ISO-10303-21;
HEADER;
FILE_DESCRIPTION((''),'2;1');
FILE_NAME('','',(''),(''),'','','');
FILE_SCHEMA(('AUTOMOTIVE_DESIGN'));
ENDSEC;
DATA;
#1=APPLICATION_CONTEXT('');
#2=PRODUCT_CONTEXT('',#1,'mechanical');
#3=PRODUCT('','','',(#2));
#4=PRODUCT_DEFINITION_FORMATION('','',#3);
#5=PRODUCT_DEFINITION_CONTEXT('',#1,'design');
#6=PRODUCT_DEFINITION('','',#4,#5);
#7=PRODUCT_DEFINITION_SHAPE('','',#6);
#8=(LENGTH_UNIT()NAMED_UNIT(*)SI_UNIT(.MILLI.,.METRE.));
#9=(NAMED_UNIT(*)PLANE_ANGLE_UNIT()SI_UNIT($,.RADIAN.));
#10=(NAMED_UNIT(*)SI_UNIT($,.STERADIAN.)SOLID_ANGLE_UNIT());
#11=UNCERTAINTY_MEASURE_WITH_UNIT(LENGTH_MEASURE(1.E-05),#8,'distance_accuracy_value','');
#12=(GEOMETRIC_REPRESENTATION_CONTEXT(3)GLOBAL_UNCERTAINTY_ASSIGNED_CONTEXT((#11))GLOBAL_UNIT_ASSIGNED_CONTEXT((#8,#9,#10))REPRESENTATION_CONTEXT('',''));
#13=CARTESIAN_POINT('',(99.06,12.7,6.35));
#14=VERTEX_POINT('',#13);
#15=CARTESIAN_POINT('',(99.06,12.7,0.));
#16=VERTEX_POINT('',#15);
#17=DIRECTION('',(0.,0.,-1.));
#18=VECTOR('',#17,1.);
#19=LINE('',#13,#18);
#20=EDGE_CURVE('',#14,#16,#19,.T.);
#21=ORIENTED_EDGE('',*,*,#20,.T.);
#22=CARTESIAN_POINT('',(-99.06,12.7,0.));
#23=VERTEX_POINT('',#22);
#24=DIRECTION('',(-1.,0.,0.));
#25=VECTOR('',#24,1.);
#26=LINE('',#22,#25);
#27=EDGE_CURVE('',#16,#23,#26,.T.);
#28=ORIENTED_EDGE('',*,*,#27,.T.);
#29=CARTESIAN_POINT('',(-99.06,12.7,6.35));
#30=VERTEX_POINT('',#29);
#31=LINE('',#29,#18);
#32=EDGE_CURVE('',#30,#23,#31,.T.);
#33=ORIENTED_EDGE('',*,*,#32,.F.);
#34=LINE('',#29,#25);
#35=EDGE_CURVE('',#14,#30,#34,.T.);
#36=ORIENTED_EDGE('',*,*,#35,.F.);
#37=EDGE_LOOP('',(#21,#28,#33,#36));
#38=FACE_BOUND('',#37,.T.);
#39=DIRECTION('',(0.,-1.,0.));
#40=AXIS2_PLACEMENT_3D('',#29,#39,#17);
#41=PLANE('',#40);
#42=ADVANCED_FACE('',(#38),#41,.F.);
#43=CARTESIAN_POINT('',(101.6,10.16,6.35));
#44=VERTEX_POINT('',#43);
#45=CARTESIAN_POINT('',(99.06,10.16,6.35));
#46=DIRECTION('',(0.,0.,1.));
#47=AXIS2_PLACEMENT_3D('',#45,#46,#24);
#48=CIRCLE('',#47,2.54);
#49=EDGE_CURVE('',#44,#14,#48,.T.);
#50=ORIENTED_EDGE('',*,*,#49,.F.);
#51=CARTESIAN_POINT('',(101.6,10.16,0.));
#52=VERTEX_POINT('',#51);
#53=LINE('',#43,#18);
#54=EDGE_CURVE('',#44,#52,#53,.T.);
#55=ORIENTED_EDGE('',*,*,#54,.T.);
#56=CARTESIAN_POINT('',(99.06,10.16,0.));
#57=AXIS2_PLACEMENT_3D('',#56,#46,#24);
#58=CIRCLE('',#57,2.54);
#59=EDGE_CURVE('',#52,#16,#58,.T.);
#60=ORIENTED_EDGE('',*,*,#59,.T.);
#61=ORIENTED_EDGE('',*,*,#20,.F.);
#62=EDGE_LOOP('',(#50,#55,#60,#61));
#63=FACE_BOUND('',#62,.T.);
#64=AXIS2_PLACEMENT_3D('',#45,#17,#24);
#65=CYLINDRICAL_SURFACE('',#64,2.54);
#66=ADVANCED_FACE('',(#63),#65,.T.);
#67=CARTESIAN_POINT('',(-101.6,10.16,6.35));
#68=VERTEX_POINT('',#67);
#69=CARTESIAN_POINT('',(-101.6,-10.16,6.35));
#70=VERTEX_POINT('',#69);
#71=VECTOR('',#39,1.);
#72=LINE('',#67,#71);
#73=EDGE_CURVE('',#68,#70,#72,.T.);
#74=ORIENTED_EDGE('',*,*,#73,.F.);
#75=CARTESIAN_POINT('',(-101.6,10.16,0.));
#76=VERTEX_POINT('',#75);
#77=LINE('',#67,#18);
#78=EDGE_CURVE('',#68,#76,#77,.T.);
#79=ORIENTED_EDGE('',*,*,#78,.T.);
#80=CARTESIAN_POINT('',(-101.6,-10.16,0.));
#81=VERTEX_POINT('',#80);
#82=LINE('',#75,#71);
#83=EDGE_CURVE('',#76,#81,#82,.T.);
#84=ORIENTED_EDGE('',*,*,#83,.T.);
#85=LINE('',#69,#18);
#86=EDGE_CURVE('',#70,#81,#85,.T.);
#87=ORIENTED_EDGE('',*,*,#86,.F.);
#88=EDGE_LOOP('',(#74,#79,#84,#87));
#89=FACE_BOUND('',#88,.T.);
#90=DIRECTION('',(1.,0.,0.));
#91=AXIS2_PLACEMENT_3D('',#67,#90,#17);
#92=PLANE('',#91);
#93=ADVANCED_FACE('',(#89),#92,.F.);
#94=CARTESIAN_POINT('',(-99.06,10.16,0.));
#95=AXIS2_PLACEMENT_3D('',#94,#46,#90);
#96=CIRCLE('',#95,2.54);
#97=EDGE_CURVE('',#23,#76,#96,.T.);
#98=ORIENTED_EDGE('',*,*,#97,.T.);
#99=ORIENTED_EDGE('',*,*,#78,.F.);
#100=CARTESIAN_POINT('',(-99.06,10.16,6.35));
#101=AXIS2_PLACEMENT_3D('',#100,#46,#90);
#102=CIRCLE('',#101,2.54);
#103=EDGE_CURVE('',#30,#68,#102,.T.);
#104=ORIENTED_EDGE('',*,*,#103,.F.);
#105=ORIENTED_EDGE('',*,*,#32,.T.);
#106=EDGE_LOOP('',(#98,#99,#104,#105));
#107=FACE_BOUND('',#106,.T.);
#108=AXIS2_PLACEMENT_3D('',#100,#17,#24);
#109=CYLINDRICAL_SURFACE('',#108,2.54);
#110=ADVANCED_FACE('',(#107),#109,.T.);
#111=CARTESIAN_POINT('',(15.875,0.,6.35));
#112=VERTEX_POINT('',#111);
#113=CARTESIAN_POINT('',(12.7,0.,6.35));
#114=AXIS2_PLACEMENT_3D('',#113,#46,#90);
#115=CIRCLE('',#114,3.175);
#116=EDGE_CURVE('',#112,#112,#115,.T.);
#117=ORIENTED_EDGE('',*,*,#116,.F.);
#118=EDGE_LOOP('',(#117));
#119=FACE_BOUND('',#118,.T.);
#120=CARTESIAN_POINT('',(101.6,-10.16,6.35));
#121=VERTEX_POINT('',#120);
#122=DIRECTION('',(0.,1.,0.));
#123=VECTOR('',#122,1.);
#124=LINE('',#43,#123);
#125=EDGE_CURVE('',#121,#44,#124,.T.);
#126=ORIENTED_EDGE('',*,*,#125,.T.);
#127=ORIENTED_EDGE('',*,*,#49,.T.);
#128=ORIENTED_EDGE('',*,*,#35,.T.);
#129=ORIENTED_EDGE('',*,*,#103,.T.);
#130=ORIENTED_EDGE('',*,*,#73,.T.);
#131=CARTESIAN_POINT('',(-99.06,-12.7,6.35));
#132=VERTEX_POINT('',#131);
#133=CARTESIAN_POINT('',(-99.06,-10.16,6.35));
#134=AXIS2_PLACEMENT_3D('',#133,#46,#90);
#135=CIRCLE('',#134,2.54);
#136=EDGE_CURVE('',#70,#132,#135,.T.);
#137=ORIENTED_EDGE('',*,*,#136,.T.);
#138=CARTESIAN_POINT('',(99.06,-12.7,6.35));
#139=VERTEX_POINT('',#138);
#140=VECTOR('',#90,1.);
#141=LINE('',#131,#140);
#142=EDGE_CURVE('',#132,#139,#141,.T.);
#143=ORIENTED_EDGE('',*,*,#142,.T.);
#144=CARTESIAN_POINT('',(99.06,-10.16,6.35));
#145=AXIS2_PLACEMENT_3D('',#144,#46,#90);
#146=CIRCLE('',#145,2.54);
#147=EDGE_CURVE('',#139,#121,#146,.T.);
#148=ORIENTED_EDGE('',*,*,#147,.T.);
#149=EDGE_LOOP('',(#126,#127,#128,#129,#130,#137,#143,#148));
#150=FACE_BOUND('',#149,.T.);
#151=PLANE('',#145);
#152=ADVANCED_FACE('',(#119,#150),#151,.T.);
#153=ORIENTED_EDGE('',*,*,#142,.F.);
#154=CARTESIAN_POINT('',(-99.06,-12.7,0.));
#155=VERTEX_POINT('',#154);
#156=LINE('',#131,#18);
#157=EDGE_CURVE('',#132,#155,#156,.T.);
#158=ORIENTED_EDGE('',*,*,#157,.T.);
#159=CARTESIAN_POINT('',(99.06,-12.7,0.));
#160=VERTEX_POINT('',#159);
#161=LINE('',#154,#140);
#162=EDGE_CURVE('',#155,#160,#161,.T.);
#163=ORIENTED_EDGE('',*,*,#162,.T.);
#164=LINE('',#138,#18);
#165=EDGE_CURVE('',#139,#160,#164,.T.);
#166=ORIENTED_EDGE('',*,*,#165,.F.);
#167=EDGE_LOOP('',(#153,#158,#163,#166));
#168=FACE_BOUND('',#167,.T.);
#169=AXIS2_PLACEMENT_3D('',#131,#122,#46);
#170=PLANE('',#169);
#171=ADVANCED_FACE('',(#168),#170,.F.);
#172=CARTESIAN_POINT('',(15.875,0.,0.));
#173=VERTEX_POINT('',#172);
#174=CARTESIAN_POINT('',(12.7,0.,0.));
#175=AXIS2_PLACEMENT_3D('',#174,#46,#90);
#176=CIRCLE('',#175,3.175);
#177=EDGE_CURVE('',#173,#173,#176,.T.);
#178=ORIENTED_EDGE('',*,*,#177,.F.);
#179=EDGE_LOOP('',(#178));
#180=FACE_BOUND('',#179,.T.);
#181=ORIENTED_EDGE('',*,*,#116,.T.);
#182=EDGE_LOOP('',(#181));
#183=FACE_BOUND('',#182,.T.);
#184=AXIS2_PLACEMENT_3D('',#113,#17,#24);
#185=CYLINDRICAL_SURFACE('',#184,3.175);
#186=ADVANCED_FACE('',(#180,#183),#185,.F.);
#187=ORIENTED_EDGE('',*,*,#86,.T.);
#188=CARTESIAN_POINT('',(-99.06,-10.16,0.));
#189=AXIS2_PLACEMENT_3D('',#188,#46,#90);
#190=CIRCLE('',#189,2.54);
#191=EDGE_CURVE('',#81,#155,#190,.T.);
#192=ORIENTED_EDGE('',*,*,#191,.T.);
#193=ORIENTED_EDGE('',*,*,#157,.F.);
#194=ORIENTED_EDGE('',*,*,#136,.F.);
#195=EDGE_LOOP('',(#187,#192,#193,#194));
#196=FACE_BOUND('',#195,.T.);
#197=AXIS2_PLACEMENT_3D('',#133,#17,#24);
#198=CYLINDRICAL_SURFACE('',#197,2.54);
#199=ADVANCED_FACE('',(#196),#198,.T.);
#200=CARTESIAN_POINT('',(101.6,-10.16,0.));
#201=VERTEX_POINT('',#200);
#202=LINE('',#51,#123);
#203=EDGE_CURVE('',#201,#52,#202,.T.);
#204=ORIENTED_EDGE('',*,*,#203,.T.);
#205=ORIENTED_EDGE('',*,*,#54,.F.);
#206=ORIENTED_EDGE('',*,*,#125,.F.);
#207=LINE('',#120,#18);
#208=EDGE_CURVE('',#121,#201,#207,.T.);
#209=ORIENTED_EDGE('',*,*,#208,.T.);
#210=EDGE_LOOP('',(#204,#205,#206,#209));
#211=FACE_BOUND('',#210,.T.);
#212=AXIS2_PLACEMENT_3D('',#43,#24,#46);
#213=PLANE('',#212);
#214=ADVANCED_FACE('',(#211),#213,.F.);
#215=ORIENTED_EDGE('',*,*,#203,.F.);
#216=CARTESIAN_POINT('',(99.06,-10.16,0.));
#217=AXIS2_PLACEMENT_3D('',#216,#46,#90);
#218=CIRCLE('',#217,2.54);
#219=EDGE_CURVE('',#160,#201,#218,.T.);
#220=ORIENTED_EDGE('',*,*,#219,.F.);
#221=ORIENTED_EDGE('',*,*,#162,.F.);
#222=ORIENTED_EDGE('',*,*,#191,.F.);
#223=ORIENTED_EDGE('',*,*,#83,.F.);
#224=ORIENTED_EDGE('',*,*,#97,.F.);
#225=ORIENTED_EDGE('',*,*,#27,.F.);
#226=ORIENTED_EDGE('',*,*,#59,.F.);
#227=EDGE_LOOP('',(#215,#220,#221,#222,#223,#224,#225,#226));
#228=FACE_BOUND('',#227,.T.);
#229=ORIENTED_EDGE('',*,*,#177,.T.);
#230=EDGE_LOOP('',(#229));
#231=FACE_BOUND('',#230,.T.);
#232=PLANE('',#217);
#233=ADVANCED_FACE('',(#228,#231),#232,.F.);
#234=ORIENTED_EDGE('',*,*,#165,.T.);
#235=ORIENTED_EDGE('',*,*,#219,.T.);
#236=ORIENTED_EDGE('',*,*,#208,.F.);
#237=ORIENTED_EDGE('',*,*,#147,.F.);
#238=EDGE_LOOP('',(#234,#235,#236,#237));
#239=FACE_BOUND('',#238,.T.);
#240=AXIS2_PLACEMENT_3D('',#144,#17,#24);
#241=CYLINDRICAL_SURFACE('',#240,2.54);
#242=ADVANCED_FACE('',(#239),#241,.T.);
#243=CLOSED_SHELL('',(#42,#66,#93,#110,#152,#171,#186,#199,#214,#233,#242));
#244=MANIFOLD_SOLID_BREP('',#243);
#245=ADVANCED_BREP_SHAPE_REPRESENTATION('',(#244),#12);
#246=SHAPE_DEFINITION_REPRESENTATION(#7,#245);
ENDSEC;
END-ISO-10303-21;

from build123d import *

# Parameters (mm, degrees)
SKETCH1_R           = 3.175
BOSS_EXTRUDE1_DEPTH = 6.35


with BuildPart() as part:
    # Sketch1 → Boss-Extrude1 (new body)
    with BuildSketch(Plane.XY):
        with BuildLine():
            Line((-99.06, 12.7), (99.06, 12.7))
            ThreePointArc((99.06, 12.7), (100.856051224, 11.956051224), (101.6, 10.16))
            Line((101.6, 10.16), (101.6, -10.16))
            ThreePointArc((101.6, -10.16), (100.856051224, -11.956051224), (99.06, -12.7))
            Line((99.06, -12.7), (-99.06, -12.7))
            ThreePointArc((-99.06, -12.7), (-100.856051224, -11.956051224), (-101.6, -10.16))
            Line((-101.6, -10.16), (-101.6, 10.16))
            ThreePointArc((-101.6, 10.16), (-100.856051224, 11.956051224), (-99.06, 12.7))
        make_face()
        with Locations((12.7, 0)):
            Circle(SKETCH1_R, mode=Mode.SUBTRACT)
    extrude(amount=BOSS_EXTRUDE1_DEPTH)


solid = part.part
